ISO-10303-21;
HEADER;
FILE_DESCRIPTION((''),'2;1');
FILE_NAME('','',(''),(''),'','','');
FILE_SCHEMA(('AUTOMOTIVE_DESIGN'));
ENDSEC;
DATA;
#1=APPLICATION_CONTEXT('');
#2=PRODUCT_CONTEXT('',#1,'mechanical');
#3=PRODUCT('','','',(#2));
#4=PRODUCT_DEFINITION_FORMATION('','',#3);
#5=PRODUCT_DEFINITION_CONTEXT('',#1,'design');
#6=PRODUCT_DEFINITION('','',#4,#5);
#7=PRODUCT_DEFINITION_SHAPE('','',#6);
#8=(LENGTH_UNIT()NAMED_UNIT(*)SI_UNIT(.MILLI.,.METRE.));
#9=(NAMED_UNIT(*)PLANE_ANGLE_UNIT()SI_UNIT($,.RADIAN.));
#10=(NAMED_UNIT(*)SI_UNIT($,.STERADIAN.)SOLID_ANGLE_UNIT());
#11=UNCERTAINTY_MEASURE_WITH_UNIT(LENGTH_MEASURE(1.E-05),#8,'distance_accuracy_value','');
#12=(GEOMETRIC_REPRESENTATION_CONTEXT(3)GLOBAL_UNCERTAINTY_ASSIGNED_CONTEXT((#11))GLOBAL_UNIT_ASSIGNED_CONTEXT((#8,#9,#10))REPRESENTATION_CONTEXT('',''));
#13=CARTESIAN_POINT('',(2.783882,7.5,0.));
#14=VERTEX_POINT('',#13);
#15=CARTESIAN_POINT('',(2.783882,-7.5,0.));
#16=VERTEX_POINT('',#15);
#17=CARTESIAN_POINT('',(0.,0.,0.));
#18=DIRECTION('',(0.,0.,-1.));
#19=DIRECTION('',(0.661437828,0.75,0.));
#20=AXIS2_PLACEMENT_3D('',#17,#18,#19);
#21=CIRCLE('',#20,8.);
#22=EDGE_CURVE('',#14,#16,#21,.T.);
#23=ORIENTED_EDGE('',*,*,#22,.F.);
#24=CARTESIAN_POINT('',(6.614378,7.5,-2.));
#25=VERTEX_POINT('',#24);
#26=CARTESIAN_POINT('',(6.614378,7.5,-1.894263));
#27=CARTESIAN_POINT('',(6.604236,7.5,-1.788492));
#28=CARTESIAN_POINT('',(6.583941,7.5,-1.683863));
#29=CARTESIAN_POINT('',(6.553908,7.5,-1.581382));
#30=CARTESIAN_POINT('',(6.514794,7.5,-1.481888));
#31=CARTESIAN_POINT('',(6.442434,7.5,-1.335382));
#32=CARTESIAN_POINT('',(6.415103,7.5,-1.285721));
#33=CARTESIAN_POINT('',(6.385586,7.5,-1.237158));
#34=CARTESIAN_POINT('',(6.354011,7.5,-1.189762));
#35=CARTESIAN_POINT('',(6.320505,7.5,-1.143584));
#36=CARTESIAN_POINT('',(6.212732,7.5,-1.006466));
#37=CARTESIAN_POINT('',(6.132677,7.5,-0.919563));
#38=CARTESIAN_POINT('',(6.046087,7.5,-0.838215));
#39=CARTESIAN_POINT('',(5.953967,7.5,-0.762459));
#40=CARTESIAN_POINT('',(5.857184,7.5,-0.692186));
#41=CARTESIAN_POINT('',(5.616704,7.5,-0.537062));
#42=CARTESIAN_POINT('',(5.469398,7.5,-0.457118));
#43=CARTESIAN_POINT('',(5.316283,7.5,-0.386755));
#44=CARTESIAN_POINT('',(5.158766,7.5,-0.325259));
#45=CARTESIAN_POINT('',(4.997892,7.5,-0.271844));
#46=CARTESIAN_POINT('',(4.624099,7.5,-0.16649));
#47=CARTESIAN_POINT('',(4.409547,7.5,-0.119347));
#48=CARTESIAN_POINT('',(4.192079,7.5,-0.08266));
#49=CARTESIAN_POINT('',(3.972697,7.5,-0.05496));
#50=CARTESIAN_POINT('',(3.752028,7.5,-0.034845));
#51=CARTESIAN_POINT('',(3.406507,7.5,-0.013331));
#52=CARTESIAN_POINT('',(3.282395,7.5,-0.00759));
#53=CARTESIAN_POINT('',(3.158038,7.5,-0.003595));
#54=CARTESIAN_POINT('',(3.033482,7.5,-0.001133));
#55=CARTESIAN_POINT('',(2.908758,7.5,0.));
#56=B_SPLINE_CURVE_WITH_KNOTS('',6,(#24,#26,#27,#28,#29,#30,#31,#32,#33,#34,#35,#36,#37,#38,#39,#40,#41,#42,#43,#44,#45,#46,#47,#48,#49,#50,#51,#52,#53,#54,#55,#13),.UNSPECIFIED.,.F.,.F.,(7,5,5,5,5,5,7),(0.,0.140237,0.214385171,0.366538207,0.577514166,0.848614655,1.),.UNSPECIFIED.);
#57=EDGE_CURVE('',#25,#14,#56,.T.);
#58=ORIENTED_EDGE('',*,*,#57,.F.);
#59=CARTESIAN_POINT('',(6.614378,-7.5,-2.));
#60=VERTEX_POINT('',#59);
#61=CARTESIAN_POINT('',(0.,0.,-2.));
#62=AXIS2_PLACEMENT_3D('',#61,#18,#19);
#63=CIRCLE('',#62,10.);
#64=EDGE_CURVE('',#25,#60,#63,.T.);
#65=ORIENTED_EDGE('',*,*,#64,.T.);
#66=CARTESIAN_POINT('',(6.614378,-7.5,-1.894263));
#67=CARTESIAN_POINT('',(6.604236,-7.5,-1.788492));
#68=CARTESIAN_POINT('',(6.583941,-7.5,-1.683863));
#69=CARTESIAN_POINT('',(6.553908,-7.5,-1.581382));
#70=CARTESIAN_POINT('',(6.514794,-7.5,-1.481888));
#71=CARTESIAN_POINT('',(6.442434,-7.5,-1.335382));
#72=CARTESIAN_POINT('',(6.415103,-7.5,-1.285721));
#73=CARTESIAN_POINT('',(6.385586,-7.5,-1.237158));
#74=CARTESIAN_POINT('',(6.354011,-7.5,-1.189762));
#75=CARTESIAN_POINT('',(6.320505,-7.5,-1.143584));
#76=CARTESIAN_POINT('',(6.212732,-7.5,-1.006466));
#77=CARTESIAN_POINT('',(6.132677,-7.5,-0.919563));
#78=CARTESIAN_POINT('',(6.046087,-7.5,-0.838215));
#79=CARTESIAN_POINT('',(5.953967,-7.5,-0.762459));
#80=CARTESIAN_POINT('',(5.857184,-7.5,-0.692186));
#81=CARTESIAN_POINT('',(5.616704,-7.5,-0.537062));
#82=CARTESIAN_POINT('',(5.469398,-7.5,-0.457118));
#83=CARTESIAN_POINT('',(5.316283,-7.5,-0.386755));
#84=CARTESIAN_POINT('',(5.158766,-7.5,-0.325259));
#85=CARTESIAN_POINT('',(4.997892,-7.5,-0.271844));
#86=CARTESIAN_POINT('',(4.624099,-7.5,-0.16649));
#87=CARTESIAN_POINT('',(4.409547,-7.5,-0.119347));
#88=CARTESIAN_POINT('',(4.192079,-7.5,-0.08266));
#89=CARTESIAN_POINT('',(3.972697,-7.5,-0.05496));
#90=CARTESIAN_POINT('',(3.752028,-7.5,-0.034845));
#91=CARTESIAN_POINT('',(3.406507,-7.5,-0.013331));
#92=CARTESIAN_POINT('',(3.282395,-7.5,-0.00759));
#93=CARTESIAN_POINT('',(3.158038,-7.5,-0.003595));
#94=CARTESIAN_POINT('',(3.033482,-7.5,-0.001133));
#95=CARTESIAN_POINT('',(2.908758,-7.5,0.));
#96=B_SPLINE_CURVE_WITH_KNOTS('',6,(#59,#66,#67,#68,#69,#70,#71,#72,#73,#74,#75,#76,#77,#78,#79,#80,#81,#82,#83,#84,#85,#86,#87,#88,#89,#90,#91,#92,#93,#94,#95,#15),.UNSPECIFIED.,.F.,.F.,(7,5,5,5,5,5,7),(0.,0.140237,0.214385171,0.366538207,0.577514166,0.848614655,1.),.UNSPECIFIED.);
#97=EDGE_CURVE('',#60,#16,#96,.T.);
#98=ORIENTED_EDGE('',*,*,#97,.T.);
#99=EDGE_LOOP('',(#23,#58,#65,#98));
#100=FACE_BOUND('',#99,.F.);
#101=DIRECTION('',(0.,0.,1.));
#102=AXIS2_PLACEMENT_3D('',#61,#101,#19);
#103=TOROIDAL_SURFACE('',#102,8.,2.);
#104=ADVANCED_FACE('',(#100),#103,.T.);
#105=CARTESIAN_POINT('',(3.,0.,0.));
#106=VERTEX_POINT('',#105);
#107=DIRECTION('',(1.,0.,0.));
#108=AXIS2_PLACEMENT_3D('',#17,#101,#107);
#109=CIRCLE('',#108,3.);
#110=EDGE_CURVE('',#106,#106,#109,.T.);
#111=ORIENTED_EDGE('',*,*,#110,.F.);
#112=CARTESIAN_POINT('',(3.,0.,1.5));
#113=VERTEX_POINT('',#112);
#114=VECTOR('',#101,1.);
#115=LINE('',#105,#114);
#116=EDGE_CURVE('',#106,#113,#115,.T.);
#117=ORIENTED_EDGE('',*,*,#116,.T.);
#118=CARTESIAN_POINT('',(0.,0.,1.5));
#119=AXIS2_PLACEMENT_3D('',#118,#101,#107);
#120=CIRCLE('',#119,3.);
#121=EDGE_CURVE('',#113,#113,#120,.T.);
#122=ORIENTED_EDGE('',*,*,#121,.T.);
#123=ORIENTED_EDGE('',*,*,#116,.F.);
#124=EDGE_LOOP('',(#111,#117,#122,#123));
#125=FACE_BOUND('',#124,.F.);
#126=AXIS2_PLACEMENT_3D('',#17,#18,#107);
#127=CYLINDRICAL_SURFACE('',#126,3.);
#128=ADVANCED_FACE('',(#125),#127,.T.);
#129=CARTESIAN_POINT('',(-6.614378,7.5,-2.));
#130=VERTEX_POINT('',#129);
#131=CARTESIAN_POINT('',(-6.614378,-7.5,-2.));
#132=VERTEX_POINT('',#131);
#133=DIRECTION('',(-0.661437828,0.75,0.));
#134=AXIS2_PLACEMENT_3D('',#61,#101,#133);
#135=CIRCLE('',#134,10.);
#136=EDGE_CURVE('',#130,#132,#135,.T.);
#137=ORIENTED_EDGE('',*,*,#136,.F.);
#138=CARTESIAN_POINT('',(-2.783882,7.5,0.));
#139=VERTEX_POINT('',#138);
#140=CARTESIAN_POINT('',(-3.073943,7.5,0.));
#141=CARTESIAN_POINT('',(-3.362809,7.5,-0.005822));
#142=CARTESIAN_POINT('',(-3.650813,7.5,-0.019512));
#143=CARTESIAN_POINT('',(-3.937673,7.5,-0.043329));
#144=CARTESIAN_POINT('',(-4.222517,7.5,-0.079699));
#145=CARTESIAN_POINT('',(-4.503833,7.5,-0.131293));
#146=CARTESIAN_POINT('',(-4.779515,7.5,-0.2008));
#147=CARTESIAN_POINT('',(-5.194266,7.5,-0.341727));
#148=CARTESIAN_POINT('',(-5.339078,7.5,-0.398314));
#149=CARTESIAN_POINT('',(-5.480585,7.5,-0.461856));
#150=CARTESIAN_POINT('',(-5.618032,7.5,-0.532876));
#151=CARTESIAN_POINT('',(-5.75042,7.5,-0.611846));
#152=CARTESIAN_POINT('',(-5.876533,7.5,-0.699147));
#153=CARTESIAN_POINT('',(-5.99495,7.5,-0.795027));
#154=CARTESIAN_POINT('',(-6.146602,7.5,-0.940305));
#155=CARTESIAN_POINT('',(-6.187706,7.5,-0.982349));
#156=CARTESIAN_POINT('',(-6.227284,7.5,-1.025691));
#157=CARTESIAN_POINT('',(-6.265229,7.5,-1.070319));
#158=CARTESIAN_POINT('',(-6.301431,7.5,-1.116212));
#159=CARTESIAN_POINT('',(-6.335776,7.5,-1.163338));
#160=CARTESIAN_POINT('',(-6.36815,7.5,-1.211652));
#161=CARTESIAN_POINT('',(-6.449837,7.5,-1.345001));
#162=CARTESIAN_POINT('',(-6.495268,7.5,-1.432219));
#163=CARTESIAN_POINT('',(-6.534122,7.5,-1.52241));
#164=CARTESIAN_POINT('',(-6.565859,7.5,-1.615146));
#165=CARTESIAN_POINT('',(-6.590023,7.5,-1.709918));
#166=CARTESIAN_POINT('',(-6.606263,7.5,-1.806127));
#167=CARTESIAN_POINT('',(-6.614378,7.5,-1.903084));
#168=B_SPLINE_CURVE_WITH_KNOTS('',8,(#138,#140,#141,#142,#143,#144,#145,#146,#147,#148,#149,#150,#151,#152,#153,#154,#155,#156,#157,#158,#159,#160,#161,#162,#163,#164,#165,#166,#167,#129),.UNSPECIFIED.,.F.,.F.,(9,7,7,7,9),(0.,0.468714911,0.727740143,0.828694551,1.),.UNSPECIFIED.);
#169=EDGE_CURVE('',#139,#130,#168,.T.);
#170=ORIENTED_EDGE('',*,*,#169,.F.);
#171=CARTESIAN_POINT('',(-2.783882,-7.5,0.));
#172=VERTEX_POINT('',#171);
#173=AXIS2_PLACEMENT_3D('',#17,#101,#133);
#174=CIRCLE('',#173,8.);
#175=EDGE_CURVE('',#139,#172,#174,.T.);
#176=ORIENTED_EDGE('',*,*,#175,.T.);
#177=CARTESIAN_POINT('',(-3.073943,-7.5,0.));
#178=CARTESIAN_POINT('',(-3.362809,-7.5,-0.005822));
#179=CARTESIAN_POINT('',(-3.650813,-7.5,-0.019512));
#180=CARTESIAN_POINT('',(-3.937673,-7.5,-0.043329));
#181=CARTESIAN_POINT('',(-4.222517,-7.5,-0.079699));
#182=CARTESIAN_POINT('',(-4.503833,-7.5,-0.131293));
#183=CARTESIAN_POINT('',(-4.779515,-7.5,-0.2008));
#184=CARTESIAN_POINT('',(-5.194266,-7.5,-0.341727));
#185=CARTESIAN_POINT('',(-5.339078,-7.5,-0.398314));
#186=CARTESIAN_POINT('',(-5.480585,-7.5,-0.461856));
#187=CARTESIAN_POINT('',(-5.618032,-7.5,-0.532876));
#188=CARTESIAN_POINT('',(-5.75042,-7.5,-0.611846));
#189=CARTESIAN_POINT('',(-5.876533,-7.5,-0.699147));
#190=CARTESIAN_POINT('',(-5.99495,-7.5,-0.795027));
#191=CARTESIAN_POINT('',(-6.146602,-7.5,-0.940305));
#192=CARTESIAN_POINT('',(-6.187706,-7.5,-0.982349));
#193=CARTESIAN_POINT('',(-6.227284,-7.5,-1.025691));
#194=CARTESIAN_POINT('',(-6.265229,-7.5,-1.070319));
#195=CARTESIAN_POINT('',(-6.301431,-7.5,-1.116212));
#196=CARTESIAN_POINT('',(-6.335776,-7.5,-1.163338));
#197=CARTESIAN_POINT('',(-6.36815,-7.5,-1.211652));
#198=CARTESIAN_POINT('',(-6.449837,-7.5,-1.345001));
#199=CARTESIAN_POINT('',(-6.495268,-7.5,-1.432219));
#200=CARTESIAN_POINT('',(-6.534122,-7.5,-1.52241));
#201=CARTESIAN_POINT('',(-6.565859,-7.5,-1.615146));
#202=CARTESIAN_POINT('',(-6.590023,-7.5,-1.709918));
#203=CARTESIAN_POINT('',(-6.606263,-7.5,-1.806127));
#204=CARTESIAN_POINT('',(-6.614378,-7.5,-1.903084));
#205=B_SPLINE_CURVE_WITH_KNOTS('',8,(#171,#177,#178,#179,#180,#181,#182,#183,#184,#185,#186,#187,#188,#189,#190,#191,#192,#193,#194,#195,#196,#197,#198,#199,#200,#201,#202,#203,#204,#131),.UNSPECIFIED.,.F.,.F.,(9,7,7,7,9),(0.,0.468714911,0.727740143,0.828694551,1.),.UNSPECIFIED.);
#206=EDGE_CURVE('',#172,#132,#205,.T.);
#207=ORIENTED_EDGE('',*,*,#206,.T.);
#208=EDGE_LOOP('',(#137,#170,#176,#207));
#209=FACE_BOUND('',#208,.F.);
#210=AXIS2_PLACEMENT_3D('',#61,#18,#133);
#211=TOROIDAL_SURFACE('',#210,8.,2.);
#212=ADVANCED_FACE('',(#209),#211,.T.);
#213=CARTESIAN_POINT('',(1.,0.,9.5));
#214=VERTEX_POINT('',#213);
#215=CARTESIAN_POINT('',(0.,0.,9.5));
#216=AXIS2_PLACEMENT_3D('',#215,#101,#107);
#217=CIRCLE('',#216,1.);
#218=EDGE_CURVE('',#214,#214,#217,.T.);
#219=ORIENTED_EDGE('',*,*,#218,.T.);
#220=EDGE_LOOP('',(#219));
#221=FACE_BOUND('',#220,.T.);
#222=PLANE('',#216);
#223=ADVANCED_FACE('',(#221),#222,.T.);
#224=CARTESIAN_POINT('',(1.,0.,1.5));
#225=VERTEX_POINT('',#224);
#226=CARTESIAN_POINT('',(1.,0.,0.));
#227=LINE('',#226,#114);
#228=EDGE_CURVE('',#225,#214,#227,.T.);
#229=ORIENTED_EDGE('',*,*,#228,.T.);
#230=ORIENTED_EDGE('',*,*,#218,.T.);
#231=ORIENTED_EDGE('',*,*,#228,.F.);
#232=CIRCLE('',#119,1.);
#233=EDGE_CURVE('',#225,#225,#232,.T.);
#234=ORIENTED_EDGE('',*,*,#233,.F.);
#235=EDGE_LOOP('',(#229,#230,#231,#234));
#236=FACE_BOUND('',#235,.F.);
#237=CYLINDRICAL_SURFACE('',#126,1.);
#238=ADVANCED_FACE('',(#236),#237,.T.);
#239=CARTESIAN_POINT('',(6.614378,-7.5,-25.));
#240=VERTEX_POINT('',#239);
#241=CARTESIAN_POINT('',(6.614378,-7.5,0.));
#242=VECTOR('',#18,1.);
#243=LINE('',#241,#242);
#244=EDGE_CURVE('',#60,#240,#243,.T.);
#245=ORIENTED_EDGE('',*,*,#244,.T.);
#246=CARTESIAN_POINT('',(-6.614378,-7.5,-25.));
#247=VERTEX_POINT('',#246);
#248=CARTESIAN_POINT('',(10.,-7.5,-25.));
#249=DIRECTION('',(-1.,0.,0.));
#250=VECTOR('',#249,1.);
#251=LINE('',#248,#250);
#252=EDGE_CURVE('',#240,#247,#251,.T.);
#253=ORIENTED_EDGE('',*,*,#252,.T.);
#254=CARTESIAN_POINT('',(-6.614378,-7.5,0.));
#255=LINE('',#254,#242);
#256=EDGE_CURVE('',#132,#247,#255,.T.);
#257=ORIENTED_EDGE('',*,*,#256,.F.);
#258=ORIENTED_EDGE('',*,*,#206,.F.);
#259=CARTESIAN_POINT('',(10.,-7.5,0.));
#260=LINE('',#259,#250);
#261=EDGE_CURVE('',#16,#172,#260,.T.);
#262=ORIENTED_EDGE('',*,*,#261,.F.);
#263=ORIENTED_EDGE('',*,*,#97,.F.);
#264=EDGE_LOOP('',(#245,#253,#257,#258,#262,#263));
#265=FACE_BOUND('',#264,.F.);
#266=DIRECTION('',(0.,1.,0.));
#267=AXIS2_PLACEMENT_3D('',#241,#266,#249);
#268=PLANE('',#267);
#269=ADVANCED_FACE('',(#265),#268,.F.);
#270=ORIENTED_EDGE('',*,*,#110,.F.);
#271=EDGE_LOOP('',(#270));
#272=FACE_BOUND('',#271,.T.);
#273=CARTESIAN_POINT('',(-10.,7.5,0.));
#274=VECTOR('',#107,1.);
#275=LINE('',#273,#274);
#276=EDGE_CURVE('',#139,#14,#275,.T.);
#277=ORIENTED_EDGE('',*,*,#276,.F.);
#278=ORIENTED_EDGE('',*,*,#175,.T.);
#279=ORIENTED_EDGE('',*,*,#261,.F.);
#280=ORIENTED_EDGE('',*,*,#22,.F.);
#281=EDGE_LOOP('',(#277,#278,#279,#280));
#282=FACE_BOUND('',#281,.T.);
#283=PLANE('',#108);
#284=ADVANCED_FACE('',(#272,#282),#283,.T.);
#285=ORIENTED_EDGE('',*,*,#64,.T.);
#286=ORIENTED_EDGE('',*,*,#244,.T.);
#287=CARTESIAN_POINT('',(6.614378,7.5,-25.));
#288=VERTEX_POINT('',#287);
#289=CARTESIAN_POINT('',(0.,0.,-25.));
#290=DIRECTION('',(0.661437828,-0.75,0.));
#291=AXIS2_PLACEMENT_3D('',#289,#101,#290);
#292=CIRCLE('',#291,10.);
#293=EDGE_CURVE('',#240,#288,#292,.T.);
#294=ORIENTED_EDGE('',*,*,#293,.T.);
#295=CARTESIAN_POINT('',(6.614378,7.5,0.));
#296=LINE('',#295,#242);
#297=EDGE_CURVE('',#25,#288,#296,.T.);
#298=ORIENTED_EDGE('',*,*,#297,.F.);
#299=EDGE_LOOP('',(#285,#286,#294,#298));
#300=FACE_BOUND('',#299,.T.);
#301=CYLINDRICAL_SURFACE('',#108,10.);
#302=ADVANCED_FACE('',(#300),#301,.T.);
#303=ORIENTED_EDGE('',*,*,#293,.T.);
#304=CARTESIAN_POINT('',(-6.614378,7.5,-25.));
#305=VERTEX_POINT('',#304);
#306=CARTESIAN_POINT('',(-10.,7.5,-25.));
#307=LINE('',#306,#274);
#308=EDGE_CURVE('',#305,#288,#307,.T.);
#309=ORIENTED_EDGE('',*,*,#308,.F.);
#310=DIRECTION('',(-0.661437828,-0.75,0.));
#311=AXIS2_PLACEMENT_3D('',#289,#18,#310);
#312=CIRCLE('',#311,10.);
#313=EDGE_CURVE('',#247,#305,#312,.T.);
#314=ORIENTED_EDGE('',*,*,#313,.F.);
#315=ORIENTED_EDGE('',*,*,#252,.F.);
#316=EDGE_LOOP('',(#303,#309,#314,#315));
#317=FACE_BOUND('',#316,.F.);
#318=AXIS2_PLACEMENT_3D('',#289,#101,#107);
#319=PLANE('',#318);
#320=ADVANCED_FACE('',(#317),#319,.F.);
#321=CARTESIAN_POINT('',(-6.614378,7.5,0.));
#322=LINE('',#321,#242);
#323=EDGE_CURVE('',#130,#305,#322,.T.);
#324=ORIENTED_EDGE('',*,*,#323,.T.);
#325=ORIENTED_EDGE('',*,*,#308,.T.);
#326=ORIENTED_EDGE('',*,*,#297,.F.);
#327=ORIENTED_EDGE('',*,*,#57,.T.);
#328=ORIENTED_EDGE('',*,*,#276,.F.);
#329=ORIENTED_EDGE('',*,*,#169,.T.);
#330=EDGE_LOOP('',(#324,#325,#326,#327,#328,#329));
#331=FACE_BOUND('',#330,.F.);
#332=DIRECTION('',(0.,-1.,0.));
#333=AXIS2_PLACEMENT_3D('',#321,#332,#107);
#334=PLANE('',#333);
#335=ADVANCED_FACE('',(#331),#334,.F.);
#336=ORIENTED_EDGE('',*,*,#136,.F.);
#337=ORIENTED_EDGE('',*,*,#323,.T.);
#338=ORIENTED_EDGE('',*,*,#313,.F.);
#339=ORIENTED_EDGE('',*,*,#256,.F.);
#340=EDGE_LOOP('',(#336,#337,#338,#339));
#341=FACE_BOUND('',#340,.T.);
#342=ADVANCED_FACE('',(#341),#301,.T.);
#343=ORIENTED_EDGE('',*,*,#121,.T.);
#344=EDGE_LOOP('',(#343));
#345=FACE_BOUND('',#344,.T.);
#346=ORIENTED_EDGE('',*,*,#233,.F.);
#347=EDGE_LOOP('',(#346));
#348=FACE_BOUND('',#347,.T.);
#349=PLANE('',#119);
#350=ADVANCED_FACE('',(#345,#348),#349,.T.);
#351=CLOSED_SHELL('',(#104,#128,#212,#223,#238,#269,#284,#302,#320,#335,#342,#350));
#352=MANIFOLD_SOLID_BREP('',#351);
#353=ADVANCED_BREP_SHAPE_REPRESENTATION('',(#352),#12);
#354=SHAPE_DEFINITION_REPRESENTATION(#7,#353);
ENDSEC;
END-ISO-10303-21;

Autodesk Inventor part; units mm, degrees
ref_plane "YZ Plane" through (0, 0, 0) normal (1, 0, 0) x (0, 1, 0)
ref_plane "XZ Plane" through (0, 0, 0) normal (0, 1, 0) x (-1, 0, 0)
ref_plane "XY Plane" through (0, 0, 0) normal (0, 0, 1) x (1, 0, 0)
sketch "Sketch1" plane through (0, 0, 0) normal (0, 0, 1) x (1, 0, 0)
  circle A0 centre (0, 0) radius 10
  line L0 (-10, -7.5) -> (-10, 7.5)
  line L1 (-10, 7.5) -> (10, 7.5)
  line L2 (10, 7.5) -> (10, -7.5)
  line L3 (10, -7.5) -> (-10, -7.5)
  line L4 (-10, -7.5) -> (10, 7.5) construction
  line L5 (-10, 7.5) -> (10, -7.5) construction
  circle A1 centre (0, 0) radius 3
  circle A2 centre (0, 0) radius 1
  point P0 (-6.6144, -7.5)
  point P1 (6.6144, -7.5)
  point P2 (6.6144, 7.5)
  point P3 (-6.6144, 7.5)
  dimension "d0" = 20
  dimension "d1" = 15
  dimension "d2" = 6
  dimension "d3" = 2
extrude "Extrusion1" add sketch "Sketch1" along normal blind 1.5 contours A1
extrude "Extrusion2" add sketch "Sketch1" along normal blind 9.5 contours A2
extrude "Extrusion3" add sketch "Sketch1" against normal blind 25 contours A0 L3 L1 | A1 | A2
fillet "Fillet1" radius 2 2 edges at (-10, 0, 0) (10, 0, 0)
properties part number "Pumpe"
